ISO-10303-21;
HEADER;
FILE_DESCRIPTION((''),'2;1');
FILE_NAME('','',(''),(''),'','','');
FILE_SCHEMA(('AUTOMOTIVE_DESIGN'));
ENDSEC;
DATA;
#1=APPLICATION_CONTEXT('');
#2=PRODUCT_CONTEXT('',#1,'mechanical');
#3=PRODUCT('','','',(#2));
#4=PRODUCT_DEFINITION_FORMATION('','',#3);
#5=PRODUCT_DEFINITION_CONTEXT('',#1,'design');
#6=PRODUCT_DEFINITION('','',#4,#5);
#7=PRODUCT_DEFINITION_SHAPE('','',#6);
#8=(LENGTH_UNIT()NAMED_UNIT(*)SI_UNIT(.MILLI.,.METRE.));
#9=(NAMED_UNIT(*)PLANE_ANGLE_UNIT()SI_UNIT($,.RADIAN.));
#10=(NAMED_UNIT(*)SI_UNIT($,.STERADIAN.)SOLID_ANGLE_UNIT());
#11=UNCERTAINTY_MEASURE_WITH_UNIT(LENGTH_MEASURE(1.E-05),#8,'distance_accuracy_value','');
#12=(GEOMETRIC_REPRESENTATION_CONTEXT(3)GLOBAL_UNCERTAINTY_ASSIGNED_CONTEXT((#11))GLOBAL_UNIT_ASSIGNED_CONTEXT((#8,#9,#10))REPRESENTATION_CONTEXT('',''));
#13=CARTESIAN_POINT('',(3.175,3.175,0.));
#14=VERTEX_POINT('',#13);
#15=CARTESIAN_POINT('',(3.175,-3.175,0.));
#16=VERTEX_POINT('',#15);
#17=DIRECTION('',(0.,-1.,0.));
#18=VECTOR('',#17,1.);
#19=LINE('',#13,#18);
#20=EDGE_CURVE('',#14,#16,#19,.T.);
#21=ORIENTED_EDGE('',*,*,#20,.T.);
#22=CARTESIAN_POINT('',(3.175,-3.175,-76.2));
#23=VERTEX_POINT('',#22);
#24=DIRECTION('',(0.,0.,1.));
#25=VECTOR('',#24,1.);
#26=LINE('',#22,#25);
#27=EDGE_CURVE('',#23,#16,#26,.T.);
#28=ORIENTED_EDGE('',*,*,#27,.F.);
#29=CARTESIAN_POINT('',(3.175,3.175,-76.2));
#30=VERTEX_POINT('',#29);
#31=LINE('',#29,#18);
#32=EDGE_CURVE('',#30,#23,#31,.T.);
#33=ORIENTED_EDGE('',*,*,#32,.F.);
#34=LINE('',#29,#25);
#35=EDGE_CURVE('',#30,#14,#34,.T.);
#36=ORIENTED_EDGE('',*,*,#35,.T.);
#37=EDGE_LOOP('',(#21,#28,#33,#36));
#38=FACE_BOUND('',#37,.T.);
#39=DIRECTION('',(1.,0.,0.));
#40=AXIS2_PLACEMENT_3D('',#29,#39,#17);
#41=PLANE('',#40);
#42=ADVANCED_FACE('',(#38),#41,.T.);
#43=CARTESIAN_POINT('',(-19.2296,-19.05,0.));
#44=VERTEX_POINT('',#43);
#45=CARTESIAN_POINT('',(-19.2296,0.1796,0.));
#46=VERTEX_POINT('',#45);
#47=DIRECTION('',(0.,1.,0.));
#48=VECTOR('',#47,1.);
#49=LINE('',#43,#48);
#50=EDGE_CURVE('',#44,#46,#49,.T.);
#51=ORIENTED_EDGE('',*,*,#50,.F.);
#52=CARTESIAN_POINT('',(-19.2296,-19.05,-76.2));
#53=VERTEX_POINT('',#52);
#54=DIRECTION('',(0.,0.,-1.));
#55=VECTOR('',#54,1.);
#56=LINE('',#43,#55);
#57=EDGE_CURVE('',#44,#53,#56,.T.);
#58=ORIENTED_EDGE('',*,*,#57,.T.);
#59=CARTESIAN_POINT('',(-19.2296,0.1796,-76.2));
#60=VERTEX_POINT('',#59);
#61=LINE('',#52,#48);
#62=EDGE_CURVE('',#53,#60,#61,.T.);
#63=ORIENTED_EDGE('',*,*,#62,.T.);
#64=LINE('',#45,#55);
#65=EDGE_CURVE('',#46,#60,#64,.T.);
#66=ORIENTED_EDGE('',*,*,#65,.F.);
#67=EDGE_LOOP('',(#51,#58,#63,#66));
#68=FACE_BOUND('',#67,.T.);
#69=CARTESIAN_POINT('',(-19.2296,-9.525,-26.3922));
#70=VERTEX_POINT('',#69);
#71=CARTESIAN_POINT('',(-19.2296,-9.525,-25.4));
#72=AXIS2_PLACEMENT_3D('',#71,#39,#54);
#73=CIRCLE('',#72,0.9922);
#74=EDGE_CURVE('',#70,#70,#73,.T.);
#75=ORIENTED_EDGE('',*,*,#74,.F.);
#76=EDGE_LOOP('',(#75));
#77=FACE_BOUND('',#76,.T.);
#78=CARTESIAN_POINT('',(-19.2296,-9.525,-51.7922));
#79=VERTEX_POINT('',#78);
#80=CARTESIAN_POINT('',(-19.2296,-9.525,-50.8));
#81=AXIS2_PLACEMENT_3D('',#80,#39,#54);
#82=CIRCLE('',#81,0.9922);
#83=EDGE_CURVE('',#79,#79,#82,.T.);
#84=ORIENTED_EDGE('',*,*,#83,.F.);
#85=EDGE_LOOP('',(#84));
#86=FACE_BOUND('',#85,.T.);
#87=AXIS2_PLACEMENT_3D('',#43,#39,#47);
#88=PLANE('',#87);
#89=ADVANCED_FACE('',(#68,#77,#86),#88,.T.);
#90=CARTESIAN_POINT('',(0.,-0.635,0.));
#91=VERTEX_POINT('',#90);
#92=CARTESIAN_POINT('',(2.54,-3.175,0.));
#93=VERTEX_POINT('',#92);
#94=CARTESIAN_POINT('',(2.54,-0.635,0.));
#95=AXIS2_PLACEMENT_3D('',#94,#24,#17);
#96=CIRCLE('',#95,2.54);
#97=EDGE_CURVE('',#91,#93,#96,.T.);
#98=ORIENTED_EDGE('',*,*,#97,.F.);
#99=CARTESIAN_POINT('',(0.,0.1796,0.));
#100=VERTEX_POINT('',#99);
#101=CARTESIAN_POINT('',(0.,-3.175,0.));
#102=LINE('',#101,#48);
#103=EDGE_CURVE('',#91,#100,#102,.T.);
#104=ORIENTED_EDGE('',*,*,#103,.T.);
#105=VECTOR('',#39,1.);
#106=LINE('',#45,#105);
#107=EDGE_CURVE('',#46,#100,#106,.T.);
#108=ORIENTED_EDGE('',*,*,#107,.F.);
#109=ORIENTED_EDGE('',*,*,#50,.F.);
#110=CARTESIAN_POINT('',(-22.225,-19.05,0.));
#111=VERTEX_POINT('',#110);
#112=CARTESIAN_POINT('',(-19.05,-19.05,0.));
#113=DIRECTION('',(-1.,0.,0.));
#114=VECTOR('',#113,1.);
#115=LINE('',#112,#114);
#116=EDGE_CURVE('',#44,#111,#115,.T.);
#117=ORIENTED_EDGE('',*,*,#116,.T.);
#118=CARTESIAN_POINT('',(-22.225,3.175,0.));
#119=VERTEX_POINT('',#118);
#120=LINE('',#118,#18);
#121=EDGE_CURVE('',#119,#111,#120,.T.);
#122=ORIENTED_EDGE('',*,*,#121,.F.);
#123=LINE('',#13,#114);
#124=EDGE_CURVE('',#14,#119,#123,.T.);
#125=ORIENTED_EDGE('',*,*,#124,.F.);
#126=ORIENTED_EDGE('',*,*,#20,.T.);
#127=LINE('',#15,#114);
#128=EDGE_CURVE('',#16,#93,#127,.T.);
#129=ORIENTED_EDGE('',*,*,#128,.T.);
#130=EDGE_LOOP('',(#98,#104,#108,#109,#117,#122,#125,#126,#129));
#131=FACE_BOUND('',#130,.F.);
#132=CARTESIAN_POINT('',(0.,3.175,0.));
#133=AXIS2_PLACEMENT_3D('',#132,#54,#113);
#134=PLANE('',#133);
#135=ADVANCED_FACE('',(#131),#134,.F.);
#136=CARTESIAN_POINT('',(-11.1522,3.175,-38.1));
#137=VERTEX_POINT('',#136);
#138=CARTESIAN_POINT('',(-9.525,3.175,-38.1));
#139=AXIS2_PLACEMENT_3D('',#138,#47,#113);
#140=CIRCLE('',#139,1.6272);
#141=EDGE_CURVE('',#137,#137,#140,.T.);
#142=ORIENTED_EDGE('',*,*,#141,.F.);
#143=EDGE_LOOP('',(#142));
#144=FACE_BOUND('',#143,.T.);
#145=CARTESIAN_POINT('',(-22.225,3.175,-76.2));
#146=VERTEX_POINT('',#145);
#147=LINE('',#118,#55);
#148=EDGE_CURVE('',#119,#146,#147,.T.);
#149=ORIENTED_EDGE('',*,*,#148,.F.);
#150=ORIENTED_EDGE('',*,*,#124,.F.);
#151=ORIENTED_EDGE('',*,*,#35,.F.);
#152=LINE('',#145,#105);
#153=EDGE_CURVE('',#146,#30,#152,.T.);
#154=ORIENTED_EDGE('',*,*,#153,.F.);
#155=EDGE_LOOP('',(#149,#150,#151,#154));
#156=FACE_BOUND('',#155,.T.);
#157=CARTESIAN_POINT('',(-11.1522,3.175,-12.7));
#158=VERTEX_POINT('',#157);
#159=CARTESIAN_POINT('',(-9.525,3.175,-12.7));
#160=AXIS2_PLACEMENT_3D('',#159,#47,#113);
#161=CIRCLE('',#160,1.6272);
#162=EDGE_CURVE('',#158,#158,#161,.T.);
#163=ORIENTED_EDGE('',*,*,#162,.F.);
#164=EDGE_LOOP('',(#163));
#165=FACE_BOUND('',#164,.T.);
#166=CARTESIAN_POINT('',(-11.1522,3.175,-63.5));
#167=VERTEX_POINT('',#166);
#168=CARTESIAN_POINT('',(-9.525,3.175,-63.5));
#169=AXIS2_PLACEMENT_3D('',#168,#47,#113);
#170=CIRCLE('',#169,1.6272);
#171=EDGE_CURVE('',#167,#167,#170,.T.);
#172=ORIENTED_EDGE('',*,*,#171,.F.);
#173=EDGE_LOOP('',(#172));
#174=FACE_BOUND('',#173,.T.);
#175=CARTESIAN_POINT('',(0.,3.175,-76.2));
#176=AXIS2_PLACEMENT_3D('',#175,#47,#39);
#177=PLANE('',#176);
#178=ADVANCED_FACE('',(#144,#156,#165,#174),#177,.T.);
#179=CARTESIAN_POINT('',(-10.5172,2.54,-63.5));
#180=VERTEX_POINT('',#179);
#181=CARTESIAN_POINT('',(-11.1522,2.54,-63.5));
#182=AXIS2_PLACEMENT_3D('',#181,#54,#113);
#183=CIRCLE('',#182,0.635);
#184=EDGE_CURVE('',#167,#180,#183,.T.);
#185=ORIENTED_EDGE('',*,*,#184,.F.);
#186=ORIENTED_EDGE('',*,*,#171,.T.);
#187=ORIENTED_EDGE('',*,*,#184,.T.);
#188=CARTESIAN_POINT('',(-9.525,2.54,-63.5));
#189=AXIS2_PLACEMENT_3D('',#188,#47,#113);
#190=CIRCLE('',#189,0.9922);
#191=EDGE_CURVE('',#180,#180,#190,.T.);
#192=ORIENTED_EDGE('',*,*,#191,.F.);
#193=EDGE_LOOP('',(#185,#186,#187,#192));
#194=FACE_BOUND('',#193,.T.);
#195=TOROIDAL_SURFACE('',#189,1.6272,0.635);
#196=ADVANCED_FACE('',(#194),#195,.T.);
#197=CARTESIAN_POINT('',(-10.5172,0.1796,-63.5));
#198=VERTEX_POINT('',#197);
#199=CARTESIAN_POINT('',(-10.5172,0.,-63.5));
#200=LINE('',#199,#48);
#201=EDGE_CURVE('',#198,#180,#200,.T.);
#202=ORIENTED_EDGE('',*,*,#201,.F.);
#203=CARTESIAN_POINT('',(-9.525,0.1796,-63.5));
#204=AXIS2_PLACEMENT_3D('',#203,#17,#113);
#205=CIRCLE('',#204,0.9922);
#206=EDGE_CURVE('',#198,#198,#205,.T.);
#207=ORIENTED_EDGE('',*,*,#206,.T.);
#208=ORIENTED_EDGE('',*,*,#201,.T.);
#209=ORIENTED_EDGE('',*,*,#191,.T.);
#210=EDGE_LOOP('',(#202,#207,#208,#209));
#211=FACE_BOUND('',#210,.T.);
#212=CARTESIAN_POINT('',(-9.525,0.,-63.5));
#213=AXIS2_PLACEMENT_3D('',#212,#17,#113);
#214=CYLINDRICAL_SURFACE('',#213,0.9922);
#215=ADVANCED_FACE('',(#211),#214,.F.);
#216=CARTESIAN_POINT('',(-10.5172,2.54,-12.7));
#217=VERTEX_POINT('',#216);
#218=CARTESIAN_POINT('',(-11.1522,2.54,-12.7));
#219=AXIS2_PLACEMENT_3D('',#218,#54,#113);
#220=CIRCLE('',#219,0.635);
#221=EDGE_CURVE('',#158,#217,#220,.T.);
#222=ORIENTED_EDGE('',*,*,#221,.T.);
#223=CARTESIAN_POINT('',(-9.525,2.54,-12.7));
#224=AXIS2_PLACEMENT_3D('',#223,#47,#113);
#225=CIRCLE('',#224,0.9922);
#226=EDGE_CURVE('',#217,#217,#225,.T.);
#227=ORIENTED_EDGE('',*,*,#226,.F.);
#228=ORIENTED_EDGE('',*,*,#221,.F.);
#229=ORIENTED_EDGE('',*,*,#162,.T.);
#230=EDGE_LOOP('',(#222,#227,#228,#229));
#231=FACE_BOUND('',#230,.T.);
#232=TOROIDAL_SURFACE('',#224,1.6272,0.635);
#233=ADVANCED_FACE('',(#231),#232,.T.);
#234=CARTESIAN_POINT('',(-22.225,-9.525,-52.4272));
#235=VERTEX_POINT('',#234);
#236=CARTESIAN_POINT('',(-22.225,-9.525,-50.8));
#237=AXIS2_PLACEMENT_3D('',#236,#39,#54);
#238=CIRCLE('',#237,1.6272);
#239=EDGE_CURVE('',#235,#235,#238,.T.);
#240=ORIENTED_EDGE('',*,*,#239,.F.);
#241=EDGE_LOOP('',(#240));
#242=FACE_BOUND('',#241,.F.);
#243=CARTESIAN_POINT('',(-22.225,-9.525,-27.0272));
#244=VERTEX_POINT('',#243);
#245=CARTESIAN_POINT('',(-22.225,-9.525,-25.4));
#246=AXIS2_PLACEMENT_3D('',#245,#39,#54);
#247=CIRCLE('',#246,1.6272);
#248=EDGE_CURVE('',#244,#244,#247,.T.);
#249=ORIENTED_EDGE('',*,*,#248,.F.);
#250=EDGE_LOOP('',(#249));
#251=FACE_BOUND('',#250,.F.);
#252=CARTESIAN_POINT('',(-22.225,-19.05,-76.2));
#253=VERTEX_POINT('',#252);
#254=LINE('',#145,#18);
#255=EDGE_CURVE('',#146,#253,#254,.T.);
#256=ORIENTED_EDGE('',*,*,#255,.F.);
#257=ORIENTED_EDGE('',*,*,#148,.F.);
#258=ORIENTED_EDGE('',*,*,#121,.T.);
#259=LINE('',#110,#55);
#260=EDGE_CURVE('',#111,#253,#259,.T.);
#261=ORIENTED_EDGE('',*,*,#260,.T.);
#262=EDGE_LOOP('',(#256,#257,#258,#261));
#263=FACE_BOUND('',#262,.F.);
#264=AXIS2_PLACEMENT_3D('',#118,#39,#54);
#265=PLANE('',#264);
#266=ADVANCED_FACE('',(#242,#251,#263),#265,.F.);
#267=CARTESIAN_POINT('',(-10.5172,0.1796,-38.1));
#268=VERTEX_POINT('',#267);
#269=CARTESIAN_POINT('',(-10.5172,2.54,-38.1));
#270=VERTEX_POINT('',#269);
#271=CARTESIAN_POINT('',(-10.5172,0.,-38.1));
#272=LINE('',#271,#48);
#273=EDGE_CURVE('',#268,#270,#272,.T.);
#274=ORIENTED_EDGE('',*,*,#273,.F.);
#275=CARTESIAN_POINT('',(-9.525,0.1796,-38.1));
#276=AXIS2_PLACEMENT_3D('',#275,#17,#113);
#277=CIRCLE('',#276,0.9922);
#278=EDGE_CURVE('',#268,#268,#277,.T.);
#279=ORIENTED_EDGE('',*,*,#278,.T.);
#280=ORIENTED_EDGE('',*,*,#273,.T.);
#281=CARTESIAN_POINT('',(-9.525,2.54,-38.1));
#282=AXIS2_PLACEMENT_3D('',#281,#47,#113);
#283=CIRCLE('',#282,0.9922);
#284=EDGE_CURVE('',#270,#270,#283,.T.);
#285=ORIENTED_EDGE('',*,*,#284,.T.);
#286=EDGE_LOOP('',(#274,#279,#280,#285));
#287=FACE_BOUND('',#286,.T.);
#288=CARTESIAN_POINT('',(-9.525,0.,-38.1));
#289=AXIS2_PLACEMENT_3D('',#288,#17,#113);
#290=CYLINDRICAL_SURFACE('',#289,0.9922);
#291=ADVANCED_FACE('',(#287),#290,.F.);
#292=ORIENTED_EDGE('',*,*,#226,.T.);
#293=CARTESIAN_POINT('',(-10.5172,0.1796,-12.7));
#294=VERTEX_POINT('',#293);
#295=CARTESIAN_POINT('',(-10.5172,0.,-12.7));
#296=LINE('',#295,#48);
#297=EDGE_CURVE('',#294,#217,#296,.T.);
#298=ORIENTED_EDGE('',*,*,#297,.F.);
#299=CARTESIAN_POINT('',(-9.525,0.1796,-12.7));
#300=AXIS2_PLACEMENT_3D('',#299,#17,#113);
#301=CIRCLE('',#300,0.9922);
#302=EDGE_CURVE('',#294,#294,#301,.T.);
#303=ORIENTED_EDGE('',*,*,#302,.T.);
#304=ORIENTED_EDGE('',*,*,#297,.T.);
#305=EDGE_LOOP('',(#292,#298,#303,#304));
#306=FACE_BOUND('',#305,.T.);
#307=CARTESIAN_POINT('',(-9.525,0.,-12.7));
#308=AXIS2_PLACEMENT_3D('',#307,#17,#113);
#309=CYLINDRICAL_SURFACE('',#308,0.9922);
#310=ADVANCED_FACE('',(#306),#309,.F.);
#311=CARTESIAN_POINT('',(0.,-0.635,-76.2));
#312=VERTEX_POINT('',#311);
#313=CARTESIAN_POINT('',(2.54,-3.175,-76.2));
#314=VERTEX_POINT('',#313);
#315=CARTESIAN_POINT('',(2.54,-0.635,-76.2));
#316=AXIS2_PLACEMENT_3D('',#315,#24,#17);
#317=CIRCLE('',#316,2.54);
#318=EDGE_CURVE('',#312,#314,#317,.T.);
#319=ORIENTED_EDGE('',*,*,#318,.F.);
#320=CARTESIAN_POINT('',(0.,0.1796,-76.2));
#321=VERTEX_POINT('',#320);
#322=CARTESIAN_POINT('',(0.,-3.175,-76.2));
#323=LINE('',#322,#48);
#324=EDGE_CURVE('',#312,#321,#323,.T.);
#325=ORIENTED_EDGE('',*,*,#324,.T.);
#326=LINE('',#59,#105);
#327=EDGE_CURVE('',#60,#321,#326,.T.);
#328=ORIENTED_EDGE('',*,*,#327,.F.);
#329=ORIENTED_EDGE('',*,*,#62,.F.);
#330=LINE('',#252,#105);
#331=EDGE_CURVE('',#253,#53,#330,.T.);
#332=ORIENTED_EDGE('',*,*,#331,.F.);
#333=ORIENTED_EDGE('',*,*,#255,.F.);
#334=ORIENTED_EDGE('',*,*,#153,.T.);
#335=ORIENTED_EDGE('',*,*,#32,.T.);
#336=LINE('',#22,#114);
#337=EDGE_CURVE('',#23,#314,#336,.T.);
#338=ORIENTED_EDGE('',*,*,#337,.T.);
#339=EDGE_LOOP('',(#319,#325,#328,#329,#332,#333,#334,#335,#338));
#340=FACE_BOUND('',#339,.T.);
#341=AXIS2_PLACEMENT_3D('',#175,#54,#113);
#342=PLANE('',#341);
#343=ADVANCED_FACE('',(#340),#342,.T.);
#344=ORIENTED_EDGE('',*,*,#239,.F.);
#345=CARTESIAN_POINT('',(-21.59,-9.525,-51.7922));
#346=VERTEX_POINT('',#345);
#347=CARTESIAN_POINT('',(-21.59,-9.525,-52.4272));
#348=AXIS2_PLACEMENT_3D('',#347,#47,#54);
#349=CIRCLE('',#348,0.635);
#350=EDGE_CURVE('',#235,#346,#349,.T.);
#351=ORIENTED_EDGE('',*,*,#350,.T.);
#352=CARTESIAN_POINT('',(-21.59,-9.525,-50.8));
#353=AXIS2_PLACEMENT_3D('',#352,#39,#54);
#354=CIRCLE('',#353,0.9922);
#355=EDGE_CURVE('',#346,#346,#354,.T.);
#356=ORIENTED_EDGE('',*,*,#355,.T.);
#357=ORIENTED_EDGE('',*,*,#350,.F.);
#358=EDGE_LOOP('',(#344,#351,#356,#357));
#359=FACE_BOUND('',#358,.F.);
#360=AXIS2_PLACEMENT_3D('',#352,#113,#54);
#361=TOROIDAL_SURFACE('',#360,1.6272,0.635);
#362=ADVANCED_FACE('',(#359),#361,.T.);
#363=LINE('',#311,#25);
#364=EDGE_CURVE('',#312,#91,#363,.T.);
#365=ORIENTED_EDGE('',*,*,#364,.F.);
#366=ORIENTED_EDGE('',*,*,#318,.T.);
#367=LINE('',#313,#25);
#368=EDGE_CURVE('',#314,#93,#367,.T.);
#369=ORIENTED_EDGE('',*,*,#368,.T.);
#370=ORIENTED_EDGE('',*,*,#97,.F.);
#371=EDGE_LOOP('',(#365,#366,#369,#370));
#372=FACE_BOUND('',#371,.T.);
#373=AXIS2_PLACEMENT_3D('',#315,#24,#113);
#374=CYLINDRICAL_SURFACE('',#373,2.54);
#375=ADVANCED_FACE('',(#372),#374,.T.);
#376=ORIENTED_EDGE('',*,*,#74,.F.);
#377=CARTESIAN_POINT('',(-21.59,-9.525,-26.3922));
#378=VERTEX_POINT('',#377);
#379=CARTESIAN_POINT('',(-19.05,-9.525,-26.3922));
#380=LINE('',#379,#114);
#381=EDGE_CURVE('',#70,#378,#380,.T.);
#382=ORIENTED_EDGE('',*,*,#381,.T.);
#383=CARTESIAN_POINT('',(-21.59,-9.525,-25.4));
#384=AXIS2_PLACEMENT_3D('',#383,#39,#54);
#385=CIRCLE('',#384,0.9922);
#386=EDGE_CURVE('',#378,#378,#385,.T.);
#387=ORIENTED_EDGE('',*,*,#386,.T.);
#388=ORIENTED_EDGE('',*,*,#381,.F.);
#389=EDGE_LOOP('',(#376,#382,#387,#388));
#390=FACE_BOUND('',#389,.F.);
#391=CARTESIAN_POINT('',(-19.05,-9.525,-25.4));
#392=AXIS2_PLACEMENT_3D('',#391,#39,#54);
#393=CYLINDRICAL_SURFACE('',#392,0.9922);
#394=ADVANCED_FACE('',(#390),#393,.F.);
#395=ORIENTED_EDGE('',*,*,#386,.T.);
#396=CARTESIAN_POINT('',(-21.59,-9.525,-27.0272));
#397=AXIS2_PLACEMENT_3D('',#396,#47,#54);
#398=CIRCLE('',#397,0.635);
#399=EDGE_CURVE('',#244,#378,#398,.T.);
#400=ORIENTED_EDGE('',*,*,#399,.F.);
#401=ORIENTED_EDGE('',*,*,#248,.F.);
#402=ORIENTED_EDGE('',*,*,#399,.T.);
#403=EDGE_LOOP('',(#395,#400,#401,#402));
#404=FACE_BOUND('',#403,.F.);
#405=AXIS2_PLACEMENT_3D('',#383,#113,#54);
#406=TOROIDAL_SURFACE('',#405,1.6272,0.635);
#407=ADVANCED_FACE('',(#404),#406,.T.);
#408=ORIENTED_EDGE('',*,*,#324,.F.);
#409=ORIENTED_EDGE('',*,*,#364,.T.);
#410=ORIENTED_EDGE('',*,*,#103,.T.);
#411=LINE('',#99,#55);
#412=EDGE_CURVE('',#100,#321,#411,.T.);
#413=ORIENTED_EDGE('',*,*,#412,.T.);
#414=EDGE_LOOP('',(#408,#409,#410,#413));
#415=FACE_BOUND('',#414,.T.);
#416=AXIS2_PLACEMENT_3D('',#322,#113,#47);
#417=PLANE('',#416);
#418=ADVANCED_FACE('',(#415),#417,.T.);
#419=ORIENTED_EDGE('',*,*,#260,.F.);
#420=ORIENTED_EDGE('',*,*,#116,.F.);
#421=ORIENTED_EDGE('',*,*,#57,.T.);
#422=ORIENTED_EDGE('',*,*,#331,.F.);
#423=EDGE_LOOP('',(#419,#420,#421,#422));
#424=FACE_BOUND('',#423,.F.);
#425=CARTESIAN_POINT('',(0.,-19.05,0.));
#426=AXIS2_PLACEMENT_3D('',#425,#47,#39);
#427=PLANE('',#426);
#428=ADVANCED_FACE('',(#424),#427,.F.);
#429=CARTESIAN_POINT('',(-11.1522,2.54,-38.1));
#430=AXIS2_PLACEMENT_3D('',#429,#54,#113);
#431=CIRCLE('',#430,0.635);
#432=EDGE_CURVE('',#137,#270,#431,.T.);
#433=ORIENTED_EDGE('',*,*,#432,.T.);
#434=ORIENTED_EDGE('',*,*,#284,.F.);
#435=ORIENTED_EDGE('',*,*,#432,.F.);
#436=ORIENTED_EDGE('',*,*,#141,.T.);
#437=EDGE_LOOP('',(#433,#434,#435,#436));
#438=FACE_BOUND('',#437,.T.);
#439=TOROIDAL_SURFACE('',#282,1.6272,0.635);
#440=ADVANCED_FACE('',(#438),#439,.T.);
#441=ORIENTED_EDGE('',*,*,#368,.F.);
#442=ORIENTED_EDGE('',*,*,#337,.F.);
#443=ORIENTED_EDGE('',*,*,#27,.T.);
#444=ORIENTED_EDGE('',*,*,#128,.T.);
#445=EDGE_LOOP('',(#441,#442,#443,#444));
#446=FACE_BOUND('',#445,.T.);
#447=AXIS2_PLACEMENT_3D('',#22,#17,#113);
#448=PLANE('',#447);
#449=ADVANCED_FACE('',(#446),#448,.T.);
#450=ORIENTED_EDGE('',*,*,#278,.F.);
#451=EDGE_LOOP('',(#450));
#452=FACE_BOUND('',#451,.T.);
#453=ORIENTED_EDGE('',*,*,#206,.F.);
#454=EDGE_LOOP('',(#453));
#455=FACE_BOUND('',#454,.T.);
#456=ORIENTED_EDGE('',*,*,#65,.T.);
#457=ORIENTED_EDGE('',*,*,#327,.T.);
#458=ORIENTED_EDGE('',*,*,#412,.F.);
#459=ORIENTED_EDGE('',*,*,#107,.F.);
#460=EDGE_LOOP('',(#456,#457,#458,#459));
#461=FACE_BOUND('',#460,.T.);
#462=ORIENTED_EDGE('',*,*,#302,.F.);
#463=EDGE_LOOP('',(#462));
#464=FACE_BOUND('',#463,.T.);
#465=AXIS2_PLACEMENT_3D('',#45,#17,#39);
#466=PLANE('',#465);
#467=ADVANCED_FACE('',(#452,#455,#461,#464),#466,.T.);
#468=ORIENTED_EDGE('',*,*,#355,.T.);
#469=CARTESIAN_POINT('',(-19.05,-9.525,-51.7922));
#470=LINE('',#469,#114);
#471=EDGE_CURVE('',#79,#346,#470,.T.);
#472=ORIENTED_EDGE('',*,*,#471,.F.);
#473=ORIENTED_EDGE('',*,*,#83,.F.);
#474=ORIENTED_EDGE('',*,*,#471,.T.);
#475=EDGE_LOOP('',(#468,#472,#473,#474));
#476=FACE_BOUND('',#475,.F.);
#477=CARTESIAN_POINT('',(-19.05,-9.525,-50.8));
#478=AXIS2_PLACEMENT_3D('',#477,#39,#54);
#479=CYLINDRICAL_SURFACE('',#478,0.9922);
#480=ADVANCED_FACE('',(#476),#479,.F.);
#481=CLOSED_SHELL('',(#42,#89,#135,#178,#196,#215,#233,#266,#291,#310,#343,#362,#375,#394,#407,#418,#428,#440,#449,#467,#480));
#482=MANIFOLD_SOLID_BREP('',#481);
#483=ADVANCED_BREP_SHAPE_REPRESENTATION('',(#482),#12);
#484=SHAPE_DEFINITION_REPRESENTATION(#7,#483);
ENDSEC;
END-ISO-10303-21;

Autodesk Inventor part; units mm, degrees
ref_plane "YZ Plane" through (0, 0, 0) normal (1, 0, 0) x (0, 1, 0)
ref_plane "XZ Plane" through (0, 0, 0) normal (0, 1, 0) x (-1, 0, 0)
ref_plane "XY Plane" through (0, 0, 0) normal (0, 0, 1) x (1, 0, 0)
sketch "Sketch9" plane through (0, 0, 0) normal (0, 1, 0) x (-1, 0, 0)
  line L0 (0, 0) -> (19.05, 0)
  line L1 (19.05, 0) -> (19.05, -76.2)
  line L2 (19.05, -76.2) -> (0, -76.2)
  line L3 (0, -76.2) -> (0, 0)
  circle A0 centre (9.525, -38.1) radius 0.9922
  circle A1 centre (9.525, -12.7) radius 0.9922
  circle A2 centre (9.525, -63.5) radius 0.9922
  dimension "d41" = 76.2
  dimension "d42" = 19.05
  dimension "d43" = 1.9844
  dimension "d44" = 9.525
  dimension "d45" = 38.1
  dimension "d46" = 1.9844
  dimension "d47" = 1.9844
  dimension "d48" = 9.525
  dimension "d49" = 9.525
  dimension "d50" = 25.4
  dimension "d51" = 25.4
extrude "Extrusion7" add sketch "Sketch9" along normal blind 3.175
sketch "Sketch10" plane through (0, 3.175, 0) normal (0, 1, 0) x (1, 0, 0)
  line L0 (-19.05, 76.2) -> (-19.05, 0) projected
  line L1 (-19.05, 0) -> (-22.225, 0)
  line L2 (-22.225, 0) -> (-22.225, 76.2)
  line L3 (-22.225, 76.2) -> (-19.05, 76.2)
  line L4 (-19.05, 76.2) -> (-19.05, 0)
  point P0 (0, 0)
  dimension "d54" = 3.175
  dimension "d55" = 76.2
extrude "Extrusion8" add sketch "Sketch10" against normal blind 22.225
sketch "Sketch11" plane through (-19.05, 0, 0) normal (1, 0, 0) x (0, 0, -1)
  circle A0 centre (25.4, -9.525) radius 0.9922
  circle A1 centre (50.8, -9.525) radius 0.9922
  line L0 (76.2, -19.05) -> (0, -19.05) projected
  line L1 (0, 0) -> (0, -19.05) projected
  dimension "d58" = 1.9844
  dimension "d59" = 1.9844
  dimension "d60" = 9.525
  dimension "d61" = 9.525
  dimension "d62" = 25.4
  dimension "d63" = 25.4
extrude "Extrusion9" cut sketch "Sketch11" against normal blind 22.225
sketch "Sketch12" plane through (0, 0, 0) normal (0, 0, 1) x (1, 0, 0)
  line L0 (-19.05, 0) -> (-19.05, -19.05) projected
  line L1 (-19.05, 0) -> (-19.2296, 0.1796)
  line L2 (-19.05, 0) -> (0, 0) projected
  line L3 (-19.2296, 0.1796) -> (0, 0.1796)
  line L4 (0, 0.1796) -> (0, -19.05)
  line L5 (0, -19.05) -> (-19.2296, -19.05)
  line L6 (-19.2296, -19.05) -> (-19.2296, 0.1796)
  point P0 (0, 0)
  dimension "d68" = 0.254
  dimension "d69" = 135
extrude "Extrusion10" cut sketch "Sketch12" against normal blind 76.2
fillet "Fillet4" radius 0.635 5 edges at (-22.225, -9.525, -24.4078) (-22.225, -9.525, -49.8078) (-8.5328, 3.175, -63.5) (-8.5328, 3.175, -38.1) (-8.5328, 3.175, -12.7)
sketch "Sketch13" plane through (0, 3.175, -76.2) normal (0, 0, -1) x (-1, 0, 0)
  line L0 (22.225, 0) -> (0, 0) projected
  line L1 (0, 0) -> (-3.175, 0)
  line L2 (-3.175, 0) -> (-3.175, -6.35)
  line L3 (-3.175, -6.35) -> (0, -6.35)
  line L4 (0, -6.35) -> (0, 0)
  point P0 (0, -3.175)
  dimension "d73" = 3.175
  dimension "d74" = 6.35
extrude "Extrusion11" add sketch "Sketch13" against normal blind 76.2
fillet "Fillet5" radius 2.54 1 edges at (0, -3.175, -38.1)
properties part number "Block Bracket Mark Guide Tool"
